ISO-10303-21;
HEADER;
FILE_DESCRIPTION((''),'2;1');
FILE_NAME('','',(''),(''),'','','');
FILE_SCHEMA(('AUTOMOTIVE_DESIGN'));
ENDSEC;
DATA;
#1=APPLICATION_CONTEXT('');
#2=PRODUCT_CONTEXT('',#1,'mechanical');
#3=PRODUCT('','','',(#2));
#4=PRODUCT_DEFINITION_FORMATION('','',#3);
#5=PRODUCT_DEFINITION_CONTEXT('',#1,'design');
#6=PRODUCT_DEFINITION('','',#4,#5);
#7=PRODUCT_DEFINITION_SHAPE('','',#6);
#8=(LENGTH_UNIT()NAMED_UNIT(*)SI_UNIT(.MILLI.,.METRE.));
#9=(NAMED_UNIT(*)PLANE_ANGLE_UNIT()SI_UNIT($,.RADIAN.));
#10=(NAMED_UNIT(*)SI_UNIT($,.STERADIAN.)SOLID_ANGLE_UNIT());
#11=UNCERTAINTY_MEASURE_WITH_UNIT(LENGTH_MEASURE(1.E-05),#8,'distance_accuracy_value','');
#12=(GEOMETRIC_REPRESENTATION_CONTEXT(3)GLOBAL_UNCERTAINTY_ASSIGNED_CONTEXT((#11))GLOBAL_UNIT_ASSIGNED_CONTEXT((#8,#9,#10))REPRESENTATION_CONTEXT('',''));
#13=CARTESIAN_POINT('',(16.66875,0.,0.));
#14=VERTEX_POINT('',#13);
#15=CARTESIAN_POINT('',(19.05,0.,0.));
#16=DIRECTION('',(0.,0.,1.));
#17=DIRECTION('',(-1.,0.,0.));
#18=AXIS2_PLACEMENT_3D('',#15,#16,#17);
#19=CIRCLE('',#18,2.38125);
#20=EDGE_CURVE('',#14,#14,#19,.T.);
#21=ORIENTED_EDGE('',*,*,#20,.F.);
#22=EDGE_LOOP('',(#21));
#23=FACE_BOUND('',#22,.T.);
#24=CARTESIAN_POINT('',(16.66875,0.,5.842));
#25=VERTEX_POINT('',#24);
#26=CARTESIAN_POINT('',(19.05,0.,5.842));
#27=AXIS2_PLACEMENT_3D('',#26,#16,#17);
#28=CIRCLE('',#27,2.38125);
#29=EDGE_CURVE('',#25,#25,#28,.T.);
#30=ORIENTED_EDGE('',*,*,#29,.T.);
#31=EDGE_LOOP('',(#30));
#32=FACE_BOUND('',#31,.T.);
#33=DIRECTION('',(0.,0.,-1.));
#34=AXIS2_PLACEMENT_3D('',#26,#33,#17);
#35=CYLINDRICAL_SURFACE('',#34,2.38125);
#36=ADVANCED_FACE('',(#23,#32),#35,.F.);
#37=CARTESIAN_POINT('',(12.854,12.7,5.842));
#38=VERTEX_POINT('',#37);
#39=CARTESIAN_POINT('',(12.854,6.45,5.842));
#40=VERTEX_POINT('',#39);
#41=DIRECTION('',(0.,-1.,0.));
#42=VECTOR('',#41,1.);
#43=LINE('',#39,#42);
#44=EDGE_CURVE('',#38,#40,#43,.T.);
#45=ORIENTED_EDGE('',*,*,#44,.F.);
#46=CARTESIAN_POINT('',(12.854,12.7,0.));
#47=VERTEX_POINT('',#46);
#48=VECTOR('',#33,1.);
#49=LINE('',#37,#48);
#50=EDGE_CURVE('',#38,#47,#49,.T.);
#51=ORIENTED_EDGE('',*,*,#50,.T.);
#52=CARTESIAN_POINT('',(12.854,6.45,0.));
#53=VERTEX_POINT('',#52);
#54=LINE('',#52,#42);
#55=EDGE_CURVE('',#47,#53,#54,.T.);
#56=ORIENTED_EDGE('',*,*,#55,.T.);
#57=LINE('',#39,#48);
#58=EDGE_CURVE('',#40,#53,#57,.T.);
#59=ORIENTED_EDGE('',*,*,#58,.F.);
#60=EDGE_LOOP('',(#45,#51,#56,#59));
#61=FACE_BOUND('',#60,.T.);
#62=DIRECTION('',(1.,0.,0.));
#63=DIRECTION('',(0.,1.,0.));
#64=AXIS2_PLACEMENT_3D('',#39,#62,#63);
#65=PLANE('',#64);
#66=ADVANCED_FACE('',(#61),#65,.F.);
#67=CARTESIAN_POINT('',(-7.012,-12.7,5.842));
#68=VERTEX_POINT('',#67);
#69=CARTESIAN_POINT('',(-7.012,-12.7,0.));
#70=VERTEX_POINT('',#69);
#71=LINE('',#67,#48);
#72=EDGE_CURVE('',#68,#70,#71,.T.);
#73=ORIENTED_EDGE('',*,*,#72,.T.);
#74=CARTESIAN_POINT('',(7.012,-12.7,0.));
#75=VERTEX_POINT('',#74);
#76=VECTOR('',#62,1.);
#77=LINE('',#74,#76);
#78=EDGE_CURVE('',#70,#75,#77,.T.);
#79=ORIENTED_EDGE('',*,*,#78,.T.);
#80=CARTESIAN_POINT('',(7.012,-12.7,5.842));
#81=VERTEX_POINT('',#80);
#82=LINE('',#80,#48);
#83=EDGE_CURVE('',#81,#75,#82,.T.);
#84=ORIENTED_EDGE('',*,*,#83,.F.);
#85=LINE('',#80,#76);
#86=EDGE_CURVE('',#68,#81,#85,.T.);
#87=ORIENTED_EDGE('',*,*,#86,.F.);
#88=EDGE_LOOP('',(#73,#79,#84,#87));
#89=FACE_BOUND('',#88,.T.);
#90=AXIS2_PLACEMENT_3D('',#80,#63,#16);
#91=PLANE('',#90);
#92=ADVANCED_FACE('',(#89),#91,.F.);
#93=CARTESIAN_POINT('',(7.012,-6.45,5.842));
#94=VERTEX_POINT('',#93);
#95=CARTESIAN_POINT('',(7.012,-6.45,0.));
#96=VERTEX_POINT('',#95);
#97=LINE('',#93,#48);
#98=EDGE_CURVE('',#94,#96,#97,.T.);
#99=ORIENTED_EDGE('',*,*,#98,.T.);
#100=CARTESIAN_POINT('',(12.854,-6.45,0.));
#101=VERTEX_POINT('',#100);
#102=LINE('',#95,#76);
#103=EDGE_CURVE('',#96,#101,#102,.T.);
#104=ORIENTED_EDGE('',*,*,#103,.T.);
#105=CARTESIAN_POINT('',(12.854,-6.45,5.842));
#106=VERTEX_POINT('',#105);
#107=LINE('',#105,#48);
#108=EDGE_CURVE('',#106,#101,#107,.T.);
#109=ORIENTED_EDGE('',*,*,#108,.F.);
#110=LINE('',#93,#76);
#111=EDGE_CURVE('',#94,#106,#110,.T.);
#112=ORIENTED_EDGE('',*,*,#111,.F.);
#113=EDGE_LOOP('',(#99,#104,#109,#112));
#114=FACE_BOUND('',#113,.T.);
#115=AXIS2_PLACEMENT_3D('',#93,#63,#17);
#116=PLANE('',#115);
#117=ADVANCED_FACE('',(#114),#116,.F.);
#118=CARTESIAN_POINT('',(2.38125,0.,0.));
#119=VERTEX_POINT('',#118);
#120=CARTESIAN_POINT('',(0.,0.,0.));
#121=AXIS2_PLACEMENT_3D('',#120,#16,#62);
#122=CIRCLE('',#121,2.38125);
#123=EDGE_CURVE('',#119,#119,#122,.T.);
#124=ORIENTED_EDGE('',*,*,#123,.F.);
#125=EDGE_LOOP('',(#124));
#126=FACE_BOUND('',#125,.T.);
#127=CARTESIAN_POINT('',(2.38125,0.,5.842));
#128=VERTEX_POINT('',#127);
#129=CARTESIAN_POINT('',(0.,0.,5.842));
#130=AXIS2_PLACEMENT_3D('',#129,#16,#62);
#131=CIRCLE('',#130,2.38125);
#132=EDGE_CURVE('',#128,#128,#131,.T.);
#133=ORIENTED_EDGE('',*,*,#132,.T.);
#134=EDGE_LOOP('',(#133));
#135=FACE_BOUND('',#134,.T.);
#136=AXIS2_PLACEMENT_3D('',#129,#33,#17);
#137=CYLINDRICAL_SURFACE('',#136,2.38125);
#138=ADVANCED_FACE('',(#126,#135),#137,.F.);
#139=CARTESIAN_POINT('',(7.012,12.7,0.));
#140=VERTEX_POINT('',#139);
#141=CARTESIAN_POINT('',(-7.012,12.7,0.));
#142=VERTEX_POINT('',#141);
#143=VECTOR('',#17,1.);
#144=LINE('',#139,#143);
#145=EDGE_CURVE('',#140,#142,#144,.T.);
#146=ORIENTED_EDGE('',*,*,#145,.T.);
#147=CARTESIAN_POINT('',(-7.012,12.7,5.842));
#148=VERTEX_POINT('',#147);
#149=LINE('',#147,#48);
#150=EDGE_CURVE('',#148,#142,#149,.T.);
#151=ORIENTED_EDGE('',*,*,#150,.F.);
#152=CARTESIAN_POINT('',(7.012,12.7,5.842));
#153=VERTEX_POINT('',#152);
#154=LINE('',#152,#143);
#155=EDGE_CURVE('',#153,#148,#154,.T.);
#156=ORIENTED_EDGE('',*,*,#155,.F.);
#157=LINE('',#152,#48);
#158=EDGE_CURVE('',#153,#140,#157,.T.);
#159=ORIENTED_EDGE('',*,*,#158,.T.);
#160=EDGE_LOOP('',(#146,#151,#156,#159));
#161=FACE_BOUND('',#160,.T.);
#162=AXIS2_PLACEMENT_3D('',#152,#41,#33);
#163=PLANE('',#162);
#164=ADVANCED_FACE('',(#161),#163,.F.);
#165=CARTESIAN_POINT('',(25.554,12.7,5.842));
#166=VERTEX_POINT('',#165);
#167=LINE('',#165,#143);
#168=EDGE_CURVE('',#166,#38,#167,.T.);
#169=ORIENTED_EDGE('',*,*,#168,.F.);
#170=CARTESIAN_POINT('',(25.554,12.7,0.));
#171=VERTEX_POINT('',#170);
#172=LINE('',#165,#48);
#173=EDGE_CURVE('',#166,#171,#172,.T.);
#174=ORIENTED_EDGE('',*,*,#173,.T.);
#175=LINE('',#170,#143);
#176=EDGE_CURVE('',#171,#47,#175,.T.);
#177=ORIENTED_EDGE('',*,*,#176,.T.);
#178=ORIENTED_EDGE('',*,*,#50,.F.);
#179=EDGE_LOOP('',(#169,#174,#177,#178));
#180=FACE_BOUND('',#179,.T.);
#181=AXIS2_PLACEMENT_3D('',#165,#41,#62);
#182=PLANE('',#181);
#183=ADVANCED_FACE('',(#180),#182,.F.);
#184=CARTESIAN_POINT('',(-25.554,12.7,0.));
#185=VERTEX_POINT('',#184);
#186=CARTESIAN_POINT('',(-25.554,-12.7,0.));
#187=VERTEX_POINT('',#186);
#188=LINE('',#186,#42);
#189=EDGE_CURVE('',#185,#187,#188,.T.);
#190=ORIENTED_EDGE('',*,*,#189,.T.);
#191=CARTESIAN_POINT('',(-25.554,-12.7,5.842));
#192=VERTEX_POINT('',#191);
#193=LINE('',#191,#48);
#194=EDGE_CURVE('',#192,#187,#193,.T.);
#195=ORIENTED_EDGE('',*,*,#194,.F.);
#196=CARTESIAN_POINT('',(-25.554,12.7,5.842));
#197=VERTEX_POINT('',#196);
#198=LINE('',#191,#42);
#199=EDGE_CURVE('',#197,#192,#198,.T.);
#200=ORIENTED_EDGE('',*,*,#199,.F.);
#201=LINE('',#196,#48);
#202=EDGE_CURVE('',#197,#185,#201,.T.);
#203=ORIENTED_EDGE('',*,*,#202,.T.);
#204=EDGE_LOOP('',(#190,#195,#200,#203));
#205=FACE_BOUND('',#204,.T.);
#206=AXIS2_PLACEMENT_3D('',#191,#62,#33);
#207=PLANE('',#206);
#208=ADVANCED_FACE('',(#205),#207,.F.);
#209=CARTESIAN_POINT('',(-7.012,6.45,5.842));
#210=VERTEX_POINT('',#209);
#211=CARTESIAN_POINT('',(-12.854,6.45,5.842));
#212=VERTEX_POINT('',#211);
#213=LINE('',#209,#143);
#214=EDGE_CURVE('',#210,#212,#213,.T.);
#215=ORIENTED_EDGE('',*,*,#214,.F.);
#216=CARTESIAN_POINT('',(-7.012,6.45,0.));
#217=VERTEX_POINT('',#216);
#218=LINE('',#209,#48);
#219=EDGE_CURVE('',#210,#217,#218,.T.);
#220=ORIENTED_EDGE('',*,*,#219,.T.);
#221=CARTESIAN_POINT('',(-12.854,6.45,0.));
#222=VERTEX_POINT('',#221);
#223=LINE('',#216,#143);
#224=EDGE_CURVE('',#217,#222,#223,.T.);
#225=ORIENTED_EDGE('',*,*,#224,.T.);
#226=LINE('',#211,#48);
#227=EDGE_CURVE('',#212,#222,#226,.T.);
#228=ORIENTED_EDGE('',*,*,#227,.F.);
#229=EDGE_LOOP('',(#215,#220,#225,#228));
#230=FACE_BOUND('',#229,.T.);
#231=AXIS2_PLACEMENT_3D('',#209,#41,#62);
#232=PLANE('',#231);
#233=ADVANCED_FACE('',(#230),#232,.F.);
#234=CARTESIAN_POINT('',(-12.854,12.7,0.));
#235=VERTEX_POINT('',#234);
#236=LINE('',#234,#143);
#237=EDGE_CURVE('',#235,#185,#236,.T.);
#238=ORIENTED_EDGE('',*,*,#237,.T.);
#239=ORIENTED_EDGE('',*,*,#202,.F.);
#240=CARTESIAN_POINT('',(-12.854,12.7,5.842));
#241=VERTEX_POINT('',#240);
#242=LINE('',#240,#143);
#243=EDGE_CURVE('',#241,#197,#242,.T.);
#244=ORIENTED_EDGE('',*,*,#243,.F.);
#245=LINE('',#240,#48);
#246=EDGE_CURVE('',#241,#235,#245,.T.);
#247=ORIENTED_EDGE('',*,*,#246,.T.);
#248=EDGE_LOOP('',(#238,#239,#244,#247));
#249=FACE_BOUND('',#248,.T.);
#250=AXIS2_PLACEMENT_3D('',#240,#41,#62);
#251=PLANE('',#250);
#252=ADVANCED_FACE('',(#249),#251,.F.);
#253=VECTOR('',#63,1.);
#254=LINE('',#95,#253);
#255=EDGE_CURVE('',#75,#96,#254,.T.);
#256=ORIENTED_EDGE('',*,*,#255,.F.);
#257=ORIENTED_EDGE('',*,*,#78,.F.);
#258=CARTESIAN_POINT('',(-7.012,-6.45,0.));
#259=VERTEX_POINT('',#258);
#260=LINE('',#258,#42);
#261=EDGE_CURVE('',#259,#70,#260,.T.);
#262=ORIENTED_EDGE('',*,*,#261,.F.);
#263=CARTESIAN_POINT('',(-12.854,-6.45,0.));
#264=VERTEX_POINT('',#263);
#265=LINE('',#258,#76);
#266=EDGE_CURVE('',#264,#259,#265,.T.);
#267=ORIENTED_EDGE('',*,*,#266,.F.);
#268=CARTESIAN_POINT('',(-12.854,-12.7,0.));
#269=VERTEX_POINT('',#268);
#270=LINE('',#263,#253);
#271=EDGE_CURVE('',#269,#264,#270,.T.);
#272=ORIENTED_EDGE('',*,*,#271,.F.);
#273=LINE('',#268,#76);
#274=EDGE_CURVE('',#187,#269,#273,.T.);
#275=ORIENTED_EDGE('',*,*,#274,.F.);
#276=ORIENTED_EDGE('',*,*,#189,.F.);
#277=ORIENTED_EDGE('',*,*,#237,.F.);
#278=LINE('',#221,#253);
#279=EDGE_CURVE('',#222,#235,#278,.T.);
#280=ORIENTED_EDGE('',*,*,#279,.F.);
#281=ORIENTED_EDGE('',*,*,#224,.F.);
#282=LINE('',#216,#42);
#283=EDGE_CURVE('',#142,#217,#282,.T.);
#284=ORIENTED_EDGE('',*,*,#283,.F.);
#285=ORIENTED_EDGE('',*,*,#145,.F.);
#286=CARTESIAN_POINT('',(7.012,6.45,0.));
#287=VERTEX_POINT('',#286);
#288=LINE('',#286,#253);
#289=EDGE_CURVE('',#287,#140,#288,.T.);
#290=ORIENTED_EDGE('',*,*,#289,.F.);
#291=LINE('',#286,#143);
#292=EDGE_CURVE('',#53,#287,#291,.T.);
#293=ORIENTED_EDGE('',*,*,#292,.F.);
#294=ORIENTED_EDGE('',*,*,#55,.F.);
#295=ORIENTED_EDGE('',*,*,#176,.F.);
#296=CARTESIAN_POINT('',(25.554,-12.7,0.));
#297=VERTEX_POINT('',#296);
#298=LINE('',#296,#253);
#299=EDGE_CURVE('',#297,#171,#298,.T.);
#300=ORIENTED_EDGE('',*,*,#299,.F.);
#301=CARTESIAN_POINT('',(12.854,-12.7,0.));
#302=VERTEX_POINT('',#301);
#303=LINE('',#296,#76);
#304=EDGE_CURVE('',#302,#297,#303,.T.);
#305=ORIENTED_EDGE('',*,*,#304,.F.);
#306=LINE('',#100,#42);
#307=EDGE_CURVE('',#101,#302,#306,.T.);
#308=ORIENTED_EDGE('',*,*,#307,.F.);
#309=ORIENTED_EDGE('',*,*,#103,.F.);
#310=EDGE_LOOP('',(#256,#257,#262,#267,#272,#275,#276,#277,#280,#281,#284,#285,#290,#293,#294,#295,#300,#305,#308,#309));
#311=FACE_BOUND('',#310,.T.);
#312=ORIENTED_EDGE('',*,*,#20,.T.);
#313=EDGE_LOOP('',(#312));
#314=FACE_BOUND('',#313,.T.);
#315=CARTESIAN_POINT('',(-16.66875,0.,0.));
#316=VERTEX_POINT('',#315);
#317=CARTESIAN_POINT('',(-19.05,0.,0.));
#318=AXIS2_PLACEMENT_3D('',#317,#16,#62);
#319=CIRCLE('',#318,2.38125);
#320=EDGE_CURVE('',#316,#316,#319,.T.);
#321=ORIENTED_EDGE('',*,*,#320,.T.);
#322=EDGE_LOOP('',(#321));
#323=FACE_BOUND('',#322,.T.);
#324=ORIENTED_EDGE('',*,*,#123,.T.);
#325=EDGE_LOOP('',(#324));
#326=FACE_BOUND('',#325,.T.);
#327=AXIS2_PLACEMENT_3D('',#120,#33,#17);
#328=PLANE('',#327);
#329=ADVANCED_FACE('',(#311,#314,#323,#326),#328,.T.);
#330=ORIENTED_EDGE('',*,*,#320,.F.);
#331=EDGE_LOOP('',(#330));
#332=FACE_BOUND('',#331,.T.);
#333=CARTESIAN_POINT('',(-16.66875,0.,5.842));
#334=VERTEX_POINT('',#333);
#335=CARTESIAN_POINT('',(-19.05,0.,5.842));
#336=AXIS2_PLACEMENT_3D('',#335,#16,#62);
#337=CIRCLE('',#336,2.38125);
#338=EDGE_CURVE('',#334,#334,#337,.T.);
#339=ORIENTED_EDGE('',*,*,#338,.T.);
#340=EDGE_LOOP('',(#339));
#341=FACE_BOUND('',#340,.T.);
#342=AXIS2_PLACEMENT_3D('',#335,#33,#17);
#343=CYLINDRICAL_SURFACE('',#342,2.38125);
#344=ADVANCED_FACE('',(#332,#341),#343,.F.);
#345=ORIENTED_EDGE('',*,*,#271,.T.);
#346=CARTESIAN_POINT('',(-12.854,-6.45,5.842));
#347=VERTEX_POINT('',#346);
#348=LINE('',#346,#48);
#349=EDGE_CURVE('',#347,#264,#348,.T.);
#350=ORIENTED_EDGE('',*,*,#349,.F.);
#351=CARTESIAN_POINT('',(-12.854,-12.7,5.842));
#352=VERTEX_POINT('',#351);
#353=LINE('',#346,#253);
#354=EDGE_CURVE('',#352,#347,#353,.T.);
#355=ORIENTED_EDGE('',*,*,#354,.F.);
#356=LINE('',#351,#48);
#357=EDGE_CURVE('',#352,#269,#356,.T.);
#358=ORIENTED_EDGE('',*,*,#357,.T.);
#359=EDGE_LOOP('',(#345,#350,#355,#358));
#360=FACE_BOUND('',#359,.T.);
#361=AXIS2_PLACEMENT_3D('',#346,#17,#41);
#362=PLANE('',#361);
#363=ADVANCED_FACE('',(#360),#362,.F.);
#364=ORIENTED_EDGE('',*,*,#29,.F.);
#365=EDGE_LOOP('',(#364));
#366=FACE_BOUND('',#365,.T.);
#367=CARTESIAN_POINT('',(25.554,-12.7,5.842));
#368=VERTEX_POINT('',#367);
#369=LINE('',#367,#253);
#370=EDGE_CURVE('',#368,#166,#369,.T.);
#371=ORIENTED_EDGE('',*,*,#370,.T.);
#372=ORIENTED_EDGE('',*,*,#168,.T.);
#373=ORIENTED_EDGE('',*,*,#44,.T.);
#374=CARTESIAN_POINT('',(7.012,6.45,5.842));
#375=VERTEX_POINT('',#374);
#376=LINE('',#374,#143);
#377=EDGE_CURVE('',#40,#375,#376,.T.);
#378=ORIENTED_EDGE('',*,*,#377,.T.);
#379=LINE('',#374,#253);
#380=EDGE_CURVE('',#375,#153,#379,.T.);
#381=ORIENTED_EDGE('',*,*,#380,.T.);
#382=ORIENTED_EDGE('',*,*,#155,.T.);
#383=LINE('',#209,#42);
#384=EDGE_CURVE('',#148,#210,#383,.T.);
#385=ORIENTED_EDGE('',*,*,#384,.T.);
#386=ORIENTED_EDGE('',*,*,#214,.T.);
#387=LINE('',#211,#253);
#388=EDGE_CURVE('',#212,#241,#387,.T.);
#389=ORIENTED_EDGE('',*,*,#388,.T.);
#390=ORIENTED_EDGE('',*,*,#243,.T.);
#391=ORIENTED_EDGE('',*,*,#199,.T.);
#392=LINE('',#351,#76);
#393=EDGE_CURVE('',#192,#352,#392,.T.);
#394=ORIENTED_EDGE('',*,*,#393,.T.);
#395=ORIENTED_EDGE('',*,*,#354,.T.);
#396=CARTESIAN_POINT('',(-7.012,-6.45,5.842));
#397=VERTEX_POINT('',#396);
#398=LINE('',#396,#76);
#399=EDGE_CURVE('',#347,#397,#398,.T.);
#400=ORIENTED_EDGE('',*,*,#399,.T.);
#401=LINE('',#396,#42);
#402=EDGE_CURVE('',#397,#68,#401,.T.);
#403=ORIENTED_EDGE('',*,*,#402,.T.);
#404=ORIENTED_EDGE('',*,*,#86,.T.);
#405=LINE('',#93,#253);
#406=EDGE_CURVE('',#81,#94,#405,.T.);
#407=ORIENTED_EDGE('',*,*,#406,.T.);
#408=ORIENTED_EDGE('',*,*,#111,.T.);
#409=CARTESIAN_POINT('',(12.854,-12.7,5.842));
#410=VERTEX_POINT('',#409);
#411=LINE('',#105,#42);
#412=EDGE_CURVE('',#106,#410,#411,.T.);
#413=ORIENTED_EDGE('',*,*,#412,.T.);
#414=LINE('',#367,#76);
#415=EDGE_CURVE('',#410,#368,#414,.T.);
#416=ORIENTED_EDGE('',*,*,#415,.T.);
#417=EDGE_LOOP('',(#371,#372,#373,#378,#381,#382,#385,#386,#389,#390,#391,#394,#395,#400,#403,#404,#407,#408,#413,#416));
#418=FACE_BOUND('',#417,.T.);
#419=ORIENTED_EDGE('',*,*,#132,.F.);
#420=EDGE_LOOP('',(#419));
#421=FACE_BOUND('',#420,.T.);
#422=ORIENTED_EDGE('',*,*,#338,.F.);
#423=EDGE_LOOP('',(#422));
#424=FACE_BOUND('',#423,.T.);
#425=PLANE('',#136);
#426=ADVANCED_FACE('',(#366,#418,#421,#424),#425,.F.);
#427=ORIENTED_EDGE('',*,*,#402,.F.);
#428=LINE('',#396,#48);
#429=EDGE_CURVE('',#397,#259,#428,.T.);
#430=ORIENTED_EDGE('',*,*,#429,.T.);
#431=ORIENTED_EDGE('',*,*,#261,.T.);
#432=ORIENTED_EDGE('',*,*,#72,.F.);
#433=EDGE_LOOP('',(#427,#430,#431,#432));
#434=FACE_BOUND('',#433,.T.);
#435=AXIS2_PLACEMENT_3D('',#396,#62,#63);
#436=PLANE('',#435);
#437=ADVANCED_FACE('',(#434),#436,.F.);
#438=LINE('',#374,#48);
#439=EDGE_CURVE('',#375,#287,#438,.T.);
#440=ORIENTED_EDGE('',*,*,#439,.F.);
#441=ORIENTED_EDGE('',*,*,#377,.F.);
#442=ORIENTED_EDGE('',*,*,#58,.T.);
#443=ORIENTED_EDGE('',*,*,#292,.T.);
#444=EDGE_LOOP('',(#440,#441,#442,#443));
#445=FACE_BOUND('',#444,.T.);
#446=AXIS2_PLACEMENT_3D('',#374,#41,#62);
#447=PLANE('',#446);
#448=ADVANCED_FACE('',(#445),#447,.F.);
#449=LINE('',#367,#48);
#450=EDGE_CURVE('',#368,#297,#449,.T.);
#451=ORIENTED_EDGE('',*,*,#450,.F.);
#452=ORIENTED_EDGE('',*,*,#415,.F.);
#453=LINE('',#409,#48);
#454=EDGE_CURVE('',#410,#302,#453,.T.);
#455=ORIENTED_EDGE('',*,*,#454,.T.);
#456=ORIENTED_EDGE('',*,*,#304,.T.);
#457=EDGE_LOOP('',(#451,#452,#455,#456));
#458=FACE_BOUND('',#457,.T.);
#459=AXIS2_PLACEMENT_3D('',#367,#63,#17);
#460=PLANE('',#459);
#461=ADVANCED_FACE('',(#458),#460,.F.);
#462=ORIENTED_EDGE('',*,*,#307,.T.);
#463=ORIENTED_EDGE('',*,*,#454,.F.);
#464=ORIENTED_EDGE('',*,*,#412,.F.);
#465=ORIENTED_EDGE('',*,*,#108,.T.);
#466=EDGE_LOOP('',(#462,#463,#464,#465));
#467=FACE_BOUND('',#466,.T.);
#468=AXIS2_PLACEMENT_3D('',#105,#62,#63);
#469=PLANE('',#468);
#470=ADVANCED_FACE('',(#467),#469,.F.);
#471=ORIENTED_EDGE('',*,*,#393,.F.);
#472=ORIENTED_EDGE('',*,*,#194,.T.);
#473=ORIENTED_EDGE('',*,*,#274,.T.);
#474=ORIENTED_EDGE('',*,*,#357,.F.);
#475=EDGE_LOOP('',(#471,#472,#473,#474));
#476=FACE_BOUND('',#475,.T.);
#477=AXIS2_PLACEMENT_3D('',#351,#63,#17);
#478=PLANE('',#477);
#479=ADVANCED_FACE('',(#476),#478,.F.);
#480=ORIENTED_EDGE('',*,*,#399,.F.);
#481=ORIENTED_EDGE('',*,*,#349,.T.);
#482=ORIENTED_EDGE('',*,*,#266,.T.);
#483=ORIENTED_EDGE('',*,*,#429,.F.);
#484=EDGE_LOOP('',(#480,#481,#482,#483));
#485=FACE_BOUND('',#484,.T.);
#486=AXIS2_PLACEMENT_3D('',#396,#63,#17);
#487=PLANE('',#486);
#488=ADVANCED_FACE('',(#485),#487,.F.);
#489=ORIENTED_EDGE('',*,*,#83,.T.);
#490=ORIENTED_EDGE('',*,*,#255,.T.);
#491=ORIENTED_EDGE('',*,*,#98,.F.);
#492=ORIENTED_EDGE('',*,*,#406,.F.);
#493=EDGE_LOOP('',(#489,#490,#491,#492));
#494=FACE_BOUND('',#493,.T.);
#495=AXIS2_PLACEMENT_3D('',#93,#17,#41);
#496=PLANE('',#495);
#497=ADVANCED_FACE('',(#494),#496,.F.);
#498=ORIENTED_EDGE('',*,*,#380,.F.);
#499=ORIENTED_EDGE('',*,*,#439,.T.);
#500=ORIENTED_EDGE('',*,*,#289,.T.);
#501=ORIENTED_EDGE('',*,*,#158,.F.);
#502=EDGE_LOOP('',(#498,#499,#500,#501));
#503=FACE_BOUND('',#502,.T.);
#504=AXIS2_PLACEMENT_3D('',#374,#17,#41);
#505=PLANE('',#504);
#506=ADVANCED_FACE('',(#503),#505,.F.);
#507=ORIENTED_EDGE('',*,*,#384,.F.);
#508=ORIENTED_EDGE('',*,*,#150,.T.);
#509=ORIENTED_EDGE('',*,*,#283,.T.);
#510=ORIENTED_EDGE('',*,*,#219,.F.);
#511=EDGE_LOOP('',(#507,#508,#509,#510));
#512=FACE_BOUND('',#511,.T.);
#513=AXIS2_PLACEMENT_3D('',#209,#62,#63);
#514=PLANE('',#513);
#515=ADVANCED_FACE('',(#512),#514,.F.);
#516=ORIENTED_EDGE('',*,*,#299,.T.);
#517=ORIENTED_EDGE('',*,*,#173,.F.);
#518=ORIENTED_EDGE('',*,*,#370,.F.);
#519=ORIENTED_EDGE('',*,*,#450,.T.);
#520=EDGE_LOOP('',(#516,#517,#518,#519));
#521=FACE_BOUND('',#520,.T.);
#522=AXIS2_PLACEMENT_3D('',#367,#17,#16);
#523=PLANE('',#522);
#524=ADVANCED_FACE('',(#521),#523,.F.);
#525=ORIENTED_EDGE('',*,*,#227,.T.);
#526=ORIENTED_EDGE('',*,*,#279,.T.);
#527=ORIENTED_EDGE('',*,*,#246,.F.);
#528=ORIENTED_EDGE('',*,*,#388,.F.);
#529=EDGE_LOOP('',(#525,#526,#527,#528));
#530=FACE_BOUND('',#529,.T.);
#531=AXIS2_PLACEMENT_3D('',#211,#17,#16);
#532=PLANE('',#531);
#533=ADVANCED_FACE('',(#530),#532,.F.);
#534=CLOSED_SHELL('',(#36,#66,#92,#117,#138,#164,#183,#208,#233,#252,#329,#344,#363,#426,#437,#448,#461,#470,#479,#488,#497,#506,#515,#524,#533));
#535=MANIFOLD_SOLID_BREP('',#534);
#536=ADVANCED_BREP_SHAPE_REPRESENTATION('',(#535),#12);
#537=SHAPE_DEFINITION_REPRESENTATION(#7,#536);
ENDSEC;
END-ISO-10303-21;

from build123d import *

# Parameters (mm, degrees)
SKETCH1_R           = 2.38125
BOSS_EXTRUDE1_DEPTH = 5.842


with BuildPart() as part:
    # Sketch1 → Boss-Extrude1 (new body)
    with BuildSketch(Plane.XY):
        Polygon((25.5540002, -12.7), (12.8540002, -12.7), (12.8540002, -6.45), (7.0120002, -6.45), (7.0120002, -12.7), (-7.0120002, -12.7), (-7.0120002, -6.45), (-12.8540002, -6.45), (-12.8540002, -12.7), (-25.5540002, -12.7), (-25.5540002, 12.7), (-12.8540002, 12.7), (-12.8540002, 6.45), (-7.0120002, 6.45), (-7.0120002, 12.7), (7.0120002, 12.7), (7.0120002, 6.45), (12.8540002, 6.45), (12.8540002, 12.7), (25.5540002, 12.7), align=None)
        Circle(SKETCH1_R, mode=Mode.SUBTRACT)
        with Locations((-19.05, 0)):
            Circle(SKETCH1_R, mode=Mode.SUBTRACT)
        with Locations(Location((19.05, 0, 0), (0, 0, 180))):
            Circle(SKETCH1_R, mode=Mode.SUBTRACT)
    extrude(amount=BOSS_EXTRUDE1_DEPTH)


solid = part.part
